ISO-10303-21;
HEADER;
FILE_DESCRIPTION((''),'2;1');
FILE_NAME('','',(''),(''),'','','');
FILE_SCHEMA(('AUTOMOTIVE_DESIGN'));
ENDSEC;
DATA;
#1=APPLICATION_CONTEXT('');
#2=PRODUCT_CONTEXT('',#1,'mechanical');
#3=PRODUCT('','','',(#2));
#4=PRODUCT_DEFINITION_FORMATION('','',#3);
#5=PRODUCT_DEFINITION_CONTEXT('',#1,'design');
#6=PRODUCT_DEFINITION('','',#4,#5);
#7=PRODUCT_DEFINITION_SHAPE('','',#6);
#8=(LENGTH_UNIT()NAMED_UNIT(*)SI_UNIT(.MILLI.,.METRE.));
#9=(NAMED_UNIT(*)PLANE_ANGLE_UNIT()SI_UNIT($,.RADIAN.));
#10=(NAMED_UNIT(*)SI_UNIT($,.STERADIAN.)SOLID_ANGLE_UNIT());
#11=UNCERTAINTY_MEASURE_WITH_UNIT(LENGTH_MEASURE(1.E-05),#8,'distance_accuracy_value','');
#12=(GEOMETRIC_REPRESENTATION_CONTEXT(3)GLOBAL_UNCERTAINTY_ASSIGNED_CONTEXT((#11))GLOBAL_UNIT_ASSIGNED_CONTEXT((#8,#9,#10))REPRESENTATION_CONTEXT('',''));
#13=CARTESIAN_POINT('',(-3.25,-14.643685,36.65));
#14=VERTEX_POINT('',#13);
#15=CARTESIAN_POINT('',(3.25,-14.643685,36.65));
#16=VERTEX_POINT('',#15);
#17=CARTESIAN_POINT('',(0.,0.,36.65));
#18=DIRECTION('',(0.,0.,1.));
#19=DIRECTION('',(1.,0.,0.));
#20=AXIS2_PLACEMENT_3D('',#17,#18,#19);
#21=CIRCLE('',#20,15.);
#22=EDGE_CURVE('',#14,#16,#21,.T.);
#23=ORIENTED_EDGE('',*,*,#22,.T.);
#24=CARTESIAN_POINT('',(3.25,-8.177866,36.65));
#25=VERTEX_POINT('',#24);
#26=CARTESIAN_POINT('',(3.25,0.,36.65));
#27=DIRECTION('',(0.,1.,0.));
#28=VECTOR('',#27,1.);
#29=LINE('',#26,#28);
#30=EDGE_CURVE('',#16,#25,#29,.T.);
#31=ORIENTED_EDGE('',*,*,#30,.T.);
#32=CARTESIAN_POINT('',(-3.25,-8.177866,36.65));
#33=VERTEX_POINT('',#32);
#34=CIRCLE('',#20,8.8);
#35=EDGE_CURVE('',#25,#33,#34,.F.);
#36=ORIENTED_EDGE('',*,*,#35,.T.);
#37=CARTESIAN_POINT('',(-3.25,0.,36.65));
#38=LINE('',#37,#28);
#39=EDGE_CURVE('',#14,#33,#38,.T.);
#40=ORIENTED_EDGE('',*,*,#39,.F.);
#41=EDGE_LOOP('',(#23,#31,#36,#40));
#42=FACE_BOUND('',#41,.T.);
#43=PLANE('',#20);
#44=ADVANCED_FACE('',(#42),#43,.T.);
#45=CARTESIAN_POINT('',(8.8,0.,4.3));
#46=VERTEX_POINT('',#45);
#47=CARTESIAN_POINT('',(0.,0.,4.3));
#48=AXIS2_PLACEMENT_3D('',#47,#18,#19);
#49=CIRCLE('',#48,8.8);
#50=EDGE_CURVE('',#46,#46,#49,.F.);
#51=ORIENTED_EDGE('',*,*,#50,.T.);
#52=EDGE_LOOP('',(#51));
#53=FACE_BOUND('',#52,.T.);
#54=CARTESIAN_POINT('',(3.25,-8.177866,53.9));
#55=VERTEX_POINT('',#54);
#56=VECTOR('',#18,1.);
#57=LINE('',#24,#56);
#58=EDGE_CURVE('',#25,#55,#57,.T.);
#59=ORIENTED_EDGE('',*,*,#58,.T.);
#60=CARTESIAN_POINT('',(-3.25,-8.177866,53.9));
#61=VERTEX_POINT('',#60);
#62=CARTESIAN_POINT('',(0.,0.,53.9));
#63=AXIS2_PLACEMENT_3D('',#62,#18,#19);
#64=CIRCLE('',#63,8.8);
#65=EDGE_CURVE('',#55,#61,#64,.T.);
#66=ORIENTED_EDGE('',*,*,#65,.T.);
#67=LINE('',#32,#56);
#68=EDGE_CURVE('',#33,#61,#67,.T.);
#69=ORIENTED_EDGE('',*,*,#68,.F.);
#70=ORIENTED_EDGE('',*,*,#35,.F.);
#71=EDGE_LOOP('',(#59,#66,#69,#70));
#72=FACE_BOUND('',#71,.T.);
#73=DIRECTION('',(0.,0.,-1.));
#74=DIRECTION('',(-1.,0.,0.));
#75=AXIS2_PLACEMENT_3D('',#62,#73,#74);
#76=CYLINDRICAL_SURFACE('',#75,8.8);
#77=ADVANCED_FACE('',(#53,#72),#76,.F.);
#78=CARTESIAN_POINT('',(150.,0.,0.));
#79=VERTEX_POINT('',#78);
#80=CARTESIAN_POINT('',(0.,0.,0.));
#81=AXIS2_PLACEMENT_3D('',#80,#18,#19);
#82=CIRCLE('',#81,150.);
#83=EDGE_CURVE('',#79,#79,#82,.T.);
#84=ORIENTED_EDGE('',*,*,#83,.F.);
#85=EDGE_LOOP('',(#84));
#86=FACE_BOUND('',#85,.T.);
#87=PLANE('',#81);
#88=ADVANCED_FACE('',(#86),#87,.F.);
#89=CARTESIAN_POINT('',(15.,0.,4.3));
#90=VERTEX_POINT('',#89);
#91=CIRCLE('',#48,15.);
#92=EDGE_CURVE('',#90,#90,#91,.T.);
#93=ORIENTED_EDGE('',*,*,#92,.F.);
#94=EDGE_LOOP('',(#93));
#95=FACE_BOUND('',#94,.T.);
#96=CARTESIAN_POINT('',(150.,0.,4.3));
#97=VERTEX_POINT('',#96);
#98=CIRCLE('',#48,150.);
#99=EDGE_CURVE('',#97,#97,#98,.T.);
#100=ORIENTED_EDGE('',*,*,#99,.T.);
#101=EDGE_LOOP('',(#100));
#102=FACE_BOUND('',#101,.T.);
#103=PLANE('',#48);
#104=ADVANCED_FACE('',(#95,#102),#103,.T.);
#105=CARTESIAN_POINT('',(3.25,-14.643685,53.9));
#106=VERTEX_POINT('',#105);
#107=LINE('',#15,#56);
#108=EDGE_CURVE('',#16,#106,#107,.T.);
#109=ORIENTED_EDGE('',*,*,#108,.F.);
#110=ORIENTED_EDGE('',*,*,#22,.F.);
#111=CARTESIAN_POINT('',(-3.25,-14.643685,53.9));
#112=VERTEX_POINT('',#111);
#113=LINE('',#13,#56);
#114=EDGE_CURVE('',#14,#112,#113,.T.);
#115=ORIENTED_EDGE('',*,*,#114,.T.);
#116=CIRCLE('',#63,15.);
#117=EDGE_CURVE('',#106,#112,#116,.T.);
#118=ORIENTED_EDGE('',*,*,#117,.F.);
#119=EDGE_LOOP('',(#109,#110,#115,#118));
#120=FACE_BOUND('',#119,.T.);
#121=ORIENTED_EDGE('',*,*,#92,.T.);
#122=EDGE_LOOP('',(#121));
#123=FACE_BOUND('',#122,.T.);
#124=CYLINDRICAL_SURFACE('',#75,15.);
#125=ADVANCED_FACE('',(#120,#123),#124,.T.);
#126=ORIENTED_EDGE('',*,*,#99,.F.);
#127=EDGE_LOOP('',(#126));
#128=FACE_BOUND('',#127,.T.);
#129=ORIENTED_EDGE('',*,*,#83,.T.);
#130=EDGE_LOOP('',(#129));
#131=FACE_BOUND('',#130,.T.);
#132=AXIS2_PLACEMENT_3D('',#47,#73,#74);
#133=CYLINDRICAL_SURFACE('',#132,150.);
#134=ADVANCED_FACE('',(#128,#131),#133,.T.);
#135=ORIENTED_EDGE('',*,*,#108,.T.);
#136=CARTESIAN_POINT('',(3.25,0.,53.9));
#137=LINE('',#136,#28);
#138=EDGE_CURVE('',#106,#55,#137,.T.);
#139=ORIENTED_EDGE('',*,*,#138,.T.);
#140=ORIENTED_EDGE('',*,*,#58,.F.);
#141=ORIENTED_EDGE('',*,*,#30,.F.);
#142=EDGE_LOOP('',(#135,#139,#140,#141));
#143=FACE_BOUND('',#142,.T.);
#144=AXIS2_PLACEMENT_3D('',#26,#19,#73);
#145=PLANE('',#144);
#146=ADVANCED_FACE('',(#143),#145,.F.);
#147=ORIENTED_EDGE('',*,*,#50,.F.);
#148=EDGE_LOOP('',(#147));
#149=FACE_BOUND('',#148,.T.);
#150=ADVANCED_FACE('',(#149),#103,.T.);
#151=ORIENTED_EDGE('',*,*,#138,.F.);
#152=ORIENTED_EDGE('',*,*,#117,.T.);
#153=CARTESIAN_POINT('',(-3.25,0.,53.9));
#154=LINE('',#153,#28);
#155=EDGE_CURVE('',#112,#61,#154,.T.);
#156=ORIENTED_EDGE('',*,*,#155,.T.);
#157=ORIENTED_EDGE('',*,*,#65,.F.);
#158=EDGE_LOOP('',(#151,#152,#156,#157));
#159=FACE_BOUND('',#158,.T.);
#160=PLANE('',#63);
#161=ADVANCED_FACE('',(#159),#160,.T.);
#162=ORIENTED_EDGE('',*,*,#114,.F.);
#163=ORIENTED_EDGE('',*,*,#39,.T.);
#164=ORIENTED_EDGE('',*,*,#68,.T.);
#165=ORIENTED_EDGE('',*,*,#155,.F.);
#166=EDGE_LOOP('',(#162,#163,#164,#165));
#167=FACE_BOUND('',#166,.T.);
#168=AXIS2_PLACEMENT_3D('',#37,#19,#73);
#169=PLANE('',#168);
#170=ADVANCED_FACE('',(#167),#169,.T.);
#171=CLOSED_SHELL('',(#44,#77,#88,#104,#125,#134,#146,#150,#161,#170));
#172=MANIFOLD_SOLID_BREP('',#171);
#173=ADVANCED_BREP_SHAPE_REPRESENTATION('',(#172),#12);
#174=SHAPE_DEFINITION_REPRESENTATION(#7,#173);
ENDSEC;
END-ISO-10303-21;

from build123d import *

# Parameters (mm, degrees)
SCHIZZO1_R                   = 150
ESTRUSIONE_ESTRUSIONE1_DEPTH = 4.3
SCHIZZO2_R                   = 15
SCHIZZO2_R_2                 = 8.8
ESTRUSIONE_ESTRUSIONE2_DEPTH = 49.6
TAGLIO_ESTRUSIONE1_START     = -17.25
TAGLIO_ESTRUSIONE1_DEPTH     = 17.25


with BuildPart() as part:
    # Schizzo1 → Estrusione-Estrusione1 (new body)
    with BuildSketch(Plane.XY):
        Circle(SCHIZZO1_R)
    extrude(amount=ESTRUSIONE_ESTRUSIONE1_DEPTH)

    # Schizzo2 → Estrusione-Estrusione2 (add)
    with BuildSketch(Plane.XY.offset(4.3)):
        with Locations(Location((0, 0, 0), (0, 0, 180))):
            Circle(SCHIZZO2_R)
        with Locations(Location((0, 0, 0), (0, 0, 180))):
            Circle(SCHIZZO2_R_2, mode=Mode.SUBTRACT)
    extrude(amount=ESTRUSIONE_ESTRUSIONE2_DEPTH)

    # Schizzo3 → Taglio-Estrusione1 (cut)
    with BuildSketch(Plane.XY.offset(53.9).offset(TAGLIO_ESTRUSIONE1_START)):
        with BuildLine():
            Line((0, -15), (0, -8.8))
            ThreePointArc((0, -8.8), (-1.654505223, -8.643067307), (-3.25, -8.17786647))
            Line((-3.25, -8.17786647), (-3.25, -14.643684646))
            ThreePointArc((-3.25, -14.643684646), (-1.63473703, -14.910655078), (0, -15))
        make_face()
        with BuildLine():
            ThreePointArc((3.25, -8.17786647), (1.654505223, -8.643067307), (0, -8.8))
            Line((0, -8.8), (0, -15))
            ThreePointArc((0, -15), (1.63473703, -14.910655078), (3.25, -14.643684646))
            Line((3.25, -14.643684646), (3.25, -8.17786647))
        make_face()
    extrude(amount=TAGLIO_ESTRUSIONE1_DEPTH, mode=Mode.SUBTRACT)


solid = part.part
